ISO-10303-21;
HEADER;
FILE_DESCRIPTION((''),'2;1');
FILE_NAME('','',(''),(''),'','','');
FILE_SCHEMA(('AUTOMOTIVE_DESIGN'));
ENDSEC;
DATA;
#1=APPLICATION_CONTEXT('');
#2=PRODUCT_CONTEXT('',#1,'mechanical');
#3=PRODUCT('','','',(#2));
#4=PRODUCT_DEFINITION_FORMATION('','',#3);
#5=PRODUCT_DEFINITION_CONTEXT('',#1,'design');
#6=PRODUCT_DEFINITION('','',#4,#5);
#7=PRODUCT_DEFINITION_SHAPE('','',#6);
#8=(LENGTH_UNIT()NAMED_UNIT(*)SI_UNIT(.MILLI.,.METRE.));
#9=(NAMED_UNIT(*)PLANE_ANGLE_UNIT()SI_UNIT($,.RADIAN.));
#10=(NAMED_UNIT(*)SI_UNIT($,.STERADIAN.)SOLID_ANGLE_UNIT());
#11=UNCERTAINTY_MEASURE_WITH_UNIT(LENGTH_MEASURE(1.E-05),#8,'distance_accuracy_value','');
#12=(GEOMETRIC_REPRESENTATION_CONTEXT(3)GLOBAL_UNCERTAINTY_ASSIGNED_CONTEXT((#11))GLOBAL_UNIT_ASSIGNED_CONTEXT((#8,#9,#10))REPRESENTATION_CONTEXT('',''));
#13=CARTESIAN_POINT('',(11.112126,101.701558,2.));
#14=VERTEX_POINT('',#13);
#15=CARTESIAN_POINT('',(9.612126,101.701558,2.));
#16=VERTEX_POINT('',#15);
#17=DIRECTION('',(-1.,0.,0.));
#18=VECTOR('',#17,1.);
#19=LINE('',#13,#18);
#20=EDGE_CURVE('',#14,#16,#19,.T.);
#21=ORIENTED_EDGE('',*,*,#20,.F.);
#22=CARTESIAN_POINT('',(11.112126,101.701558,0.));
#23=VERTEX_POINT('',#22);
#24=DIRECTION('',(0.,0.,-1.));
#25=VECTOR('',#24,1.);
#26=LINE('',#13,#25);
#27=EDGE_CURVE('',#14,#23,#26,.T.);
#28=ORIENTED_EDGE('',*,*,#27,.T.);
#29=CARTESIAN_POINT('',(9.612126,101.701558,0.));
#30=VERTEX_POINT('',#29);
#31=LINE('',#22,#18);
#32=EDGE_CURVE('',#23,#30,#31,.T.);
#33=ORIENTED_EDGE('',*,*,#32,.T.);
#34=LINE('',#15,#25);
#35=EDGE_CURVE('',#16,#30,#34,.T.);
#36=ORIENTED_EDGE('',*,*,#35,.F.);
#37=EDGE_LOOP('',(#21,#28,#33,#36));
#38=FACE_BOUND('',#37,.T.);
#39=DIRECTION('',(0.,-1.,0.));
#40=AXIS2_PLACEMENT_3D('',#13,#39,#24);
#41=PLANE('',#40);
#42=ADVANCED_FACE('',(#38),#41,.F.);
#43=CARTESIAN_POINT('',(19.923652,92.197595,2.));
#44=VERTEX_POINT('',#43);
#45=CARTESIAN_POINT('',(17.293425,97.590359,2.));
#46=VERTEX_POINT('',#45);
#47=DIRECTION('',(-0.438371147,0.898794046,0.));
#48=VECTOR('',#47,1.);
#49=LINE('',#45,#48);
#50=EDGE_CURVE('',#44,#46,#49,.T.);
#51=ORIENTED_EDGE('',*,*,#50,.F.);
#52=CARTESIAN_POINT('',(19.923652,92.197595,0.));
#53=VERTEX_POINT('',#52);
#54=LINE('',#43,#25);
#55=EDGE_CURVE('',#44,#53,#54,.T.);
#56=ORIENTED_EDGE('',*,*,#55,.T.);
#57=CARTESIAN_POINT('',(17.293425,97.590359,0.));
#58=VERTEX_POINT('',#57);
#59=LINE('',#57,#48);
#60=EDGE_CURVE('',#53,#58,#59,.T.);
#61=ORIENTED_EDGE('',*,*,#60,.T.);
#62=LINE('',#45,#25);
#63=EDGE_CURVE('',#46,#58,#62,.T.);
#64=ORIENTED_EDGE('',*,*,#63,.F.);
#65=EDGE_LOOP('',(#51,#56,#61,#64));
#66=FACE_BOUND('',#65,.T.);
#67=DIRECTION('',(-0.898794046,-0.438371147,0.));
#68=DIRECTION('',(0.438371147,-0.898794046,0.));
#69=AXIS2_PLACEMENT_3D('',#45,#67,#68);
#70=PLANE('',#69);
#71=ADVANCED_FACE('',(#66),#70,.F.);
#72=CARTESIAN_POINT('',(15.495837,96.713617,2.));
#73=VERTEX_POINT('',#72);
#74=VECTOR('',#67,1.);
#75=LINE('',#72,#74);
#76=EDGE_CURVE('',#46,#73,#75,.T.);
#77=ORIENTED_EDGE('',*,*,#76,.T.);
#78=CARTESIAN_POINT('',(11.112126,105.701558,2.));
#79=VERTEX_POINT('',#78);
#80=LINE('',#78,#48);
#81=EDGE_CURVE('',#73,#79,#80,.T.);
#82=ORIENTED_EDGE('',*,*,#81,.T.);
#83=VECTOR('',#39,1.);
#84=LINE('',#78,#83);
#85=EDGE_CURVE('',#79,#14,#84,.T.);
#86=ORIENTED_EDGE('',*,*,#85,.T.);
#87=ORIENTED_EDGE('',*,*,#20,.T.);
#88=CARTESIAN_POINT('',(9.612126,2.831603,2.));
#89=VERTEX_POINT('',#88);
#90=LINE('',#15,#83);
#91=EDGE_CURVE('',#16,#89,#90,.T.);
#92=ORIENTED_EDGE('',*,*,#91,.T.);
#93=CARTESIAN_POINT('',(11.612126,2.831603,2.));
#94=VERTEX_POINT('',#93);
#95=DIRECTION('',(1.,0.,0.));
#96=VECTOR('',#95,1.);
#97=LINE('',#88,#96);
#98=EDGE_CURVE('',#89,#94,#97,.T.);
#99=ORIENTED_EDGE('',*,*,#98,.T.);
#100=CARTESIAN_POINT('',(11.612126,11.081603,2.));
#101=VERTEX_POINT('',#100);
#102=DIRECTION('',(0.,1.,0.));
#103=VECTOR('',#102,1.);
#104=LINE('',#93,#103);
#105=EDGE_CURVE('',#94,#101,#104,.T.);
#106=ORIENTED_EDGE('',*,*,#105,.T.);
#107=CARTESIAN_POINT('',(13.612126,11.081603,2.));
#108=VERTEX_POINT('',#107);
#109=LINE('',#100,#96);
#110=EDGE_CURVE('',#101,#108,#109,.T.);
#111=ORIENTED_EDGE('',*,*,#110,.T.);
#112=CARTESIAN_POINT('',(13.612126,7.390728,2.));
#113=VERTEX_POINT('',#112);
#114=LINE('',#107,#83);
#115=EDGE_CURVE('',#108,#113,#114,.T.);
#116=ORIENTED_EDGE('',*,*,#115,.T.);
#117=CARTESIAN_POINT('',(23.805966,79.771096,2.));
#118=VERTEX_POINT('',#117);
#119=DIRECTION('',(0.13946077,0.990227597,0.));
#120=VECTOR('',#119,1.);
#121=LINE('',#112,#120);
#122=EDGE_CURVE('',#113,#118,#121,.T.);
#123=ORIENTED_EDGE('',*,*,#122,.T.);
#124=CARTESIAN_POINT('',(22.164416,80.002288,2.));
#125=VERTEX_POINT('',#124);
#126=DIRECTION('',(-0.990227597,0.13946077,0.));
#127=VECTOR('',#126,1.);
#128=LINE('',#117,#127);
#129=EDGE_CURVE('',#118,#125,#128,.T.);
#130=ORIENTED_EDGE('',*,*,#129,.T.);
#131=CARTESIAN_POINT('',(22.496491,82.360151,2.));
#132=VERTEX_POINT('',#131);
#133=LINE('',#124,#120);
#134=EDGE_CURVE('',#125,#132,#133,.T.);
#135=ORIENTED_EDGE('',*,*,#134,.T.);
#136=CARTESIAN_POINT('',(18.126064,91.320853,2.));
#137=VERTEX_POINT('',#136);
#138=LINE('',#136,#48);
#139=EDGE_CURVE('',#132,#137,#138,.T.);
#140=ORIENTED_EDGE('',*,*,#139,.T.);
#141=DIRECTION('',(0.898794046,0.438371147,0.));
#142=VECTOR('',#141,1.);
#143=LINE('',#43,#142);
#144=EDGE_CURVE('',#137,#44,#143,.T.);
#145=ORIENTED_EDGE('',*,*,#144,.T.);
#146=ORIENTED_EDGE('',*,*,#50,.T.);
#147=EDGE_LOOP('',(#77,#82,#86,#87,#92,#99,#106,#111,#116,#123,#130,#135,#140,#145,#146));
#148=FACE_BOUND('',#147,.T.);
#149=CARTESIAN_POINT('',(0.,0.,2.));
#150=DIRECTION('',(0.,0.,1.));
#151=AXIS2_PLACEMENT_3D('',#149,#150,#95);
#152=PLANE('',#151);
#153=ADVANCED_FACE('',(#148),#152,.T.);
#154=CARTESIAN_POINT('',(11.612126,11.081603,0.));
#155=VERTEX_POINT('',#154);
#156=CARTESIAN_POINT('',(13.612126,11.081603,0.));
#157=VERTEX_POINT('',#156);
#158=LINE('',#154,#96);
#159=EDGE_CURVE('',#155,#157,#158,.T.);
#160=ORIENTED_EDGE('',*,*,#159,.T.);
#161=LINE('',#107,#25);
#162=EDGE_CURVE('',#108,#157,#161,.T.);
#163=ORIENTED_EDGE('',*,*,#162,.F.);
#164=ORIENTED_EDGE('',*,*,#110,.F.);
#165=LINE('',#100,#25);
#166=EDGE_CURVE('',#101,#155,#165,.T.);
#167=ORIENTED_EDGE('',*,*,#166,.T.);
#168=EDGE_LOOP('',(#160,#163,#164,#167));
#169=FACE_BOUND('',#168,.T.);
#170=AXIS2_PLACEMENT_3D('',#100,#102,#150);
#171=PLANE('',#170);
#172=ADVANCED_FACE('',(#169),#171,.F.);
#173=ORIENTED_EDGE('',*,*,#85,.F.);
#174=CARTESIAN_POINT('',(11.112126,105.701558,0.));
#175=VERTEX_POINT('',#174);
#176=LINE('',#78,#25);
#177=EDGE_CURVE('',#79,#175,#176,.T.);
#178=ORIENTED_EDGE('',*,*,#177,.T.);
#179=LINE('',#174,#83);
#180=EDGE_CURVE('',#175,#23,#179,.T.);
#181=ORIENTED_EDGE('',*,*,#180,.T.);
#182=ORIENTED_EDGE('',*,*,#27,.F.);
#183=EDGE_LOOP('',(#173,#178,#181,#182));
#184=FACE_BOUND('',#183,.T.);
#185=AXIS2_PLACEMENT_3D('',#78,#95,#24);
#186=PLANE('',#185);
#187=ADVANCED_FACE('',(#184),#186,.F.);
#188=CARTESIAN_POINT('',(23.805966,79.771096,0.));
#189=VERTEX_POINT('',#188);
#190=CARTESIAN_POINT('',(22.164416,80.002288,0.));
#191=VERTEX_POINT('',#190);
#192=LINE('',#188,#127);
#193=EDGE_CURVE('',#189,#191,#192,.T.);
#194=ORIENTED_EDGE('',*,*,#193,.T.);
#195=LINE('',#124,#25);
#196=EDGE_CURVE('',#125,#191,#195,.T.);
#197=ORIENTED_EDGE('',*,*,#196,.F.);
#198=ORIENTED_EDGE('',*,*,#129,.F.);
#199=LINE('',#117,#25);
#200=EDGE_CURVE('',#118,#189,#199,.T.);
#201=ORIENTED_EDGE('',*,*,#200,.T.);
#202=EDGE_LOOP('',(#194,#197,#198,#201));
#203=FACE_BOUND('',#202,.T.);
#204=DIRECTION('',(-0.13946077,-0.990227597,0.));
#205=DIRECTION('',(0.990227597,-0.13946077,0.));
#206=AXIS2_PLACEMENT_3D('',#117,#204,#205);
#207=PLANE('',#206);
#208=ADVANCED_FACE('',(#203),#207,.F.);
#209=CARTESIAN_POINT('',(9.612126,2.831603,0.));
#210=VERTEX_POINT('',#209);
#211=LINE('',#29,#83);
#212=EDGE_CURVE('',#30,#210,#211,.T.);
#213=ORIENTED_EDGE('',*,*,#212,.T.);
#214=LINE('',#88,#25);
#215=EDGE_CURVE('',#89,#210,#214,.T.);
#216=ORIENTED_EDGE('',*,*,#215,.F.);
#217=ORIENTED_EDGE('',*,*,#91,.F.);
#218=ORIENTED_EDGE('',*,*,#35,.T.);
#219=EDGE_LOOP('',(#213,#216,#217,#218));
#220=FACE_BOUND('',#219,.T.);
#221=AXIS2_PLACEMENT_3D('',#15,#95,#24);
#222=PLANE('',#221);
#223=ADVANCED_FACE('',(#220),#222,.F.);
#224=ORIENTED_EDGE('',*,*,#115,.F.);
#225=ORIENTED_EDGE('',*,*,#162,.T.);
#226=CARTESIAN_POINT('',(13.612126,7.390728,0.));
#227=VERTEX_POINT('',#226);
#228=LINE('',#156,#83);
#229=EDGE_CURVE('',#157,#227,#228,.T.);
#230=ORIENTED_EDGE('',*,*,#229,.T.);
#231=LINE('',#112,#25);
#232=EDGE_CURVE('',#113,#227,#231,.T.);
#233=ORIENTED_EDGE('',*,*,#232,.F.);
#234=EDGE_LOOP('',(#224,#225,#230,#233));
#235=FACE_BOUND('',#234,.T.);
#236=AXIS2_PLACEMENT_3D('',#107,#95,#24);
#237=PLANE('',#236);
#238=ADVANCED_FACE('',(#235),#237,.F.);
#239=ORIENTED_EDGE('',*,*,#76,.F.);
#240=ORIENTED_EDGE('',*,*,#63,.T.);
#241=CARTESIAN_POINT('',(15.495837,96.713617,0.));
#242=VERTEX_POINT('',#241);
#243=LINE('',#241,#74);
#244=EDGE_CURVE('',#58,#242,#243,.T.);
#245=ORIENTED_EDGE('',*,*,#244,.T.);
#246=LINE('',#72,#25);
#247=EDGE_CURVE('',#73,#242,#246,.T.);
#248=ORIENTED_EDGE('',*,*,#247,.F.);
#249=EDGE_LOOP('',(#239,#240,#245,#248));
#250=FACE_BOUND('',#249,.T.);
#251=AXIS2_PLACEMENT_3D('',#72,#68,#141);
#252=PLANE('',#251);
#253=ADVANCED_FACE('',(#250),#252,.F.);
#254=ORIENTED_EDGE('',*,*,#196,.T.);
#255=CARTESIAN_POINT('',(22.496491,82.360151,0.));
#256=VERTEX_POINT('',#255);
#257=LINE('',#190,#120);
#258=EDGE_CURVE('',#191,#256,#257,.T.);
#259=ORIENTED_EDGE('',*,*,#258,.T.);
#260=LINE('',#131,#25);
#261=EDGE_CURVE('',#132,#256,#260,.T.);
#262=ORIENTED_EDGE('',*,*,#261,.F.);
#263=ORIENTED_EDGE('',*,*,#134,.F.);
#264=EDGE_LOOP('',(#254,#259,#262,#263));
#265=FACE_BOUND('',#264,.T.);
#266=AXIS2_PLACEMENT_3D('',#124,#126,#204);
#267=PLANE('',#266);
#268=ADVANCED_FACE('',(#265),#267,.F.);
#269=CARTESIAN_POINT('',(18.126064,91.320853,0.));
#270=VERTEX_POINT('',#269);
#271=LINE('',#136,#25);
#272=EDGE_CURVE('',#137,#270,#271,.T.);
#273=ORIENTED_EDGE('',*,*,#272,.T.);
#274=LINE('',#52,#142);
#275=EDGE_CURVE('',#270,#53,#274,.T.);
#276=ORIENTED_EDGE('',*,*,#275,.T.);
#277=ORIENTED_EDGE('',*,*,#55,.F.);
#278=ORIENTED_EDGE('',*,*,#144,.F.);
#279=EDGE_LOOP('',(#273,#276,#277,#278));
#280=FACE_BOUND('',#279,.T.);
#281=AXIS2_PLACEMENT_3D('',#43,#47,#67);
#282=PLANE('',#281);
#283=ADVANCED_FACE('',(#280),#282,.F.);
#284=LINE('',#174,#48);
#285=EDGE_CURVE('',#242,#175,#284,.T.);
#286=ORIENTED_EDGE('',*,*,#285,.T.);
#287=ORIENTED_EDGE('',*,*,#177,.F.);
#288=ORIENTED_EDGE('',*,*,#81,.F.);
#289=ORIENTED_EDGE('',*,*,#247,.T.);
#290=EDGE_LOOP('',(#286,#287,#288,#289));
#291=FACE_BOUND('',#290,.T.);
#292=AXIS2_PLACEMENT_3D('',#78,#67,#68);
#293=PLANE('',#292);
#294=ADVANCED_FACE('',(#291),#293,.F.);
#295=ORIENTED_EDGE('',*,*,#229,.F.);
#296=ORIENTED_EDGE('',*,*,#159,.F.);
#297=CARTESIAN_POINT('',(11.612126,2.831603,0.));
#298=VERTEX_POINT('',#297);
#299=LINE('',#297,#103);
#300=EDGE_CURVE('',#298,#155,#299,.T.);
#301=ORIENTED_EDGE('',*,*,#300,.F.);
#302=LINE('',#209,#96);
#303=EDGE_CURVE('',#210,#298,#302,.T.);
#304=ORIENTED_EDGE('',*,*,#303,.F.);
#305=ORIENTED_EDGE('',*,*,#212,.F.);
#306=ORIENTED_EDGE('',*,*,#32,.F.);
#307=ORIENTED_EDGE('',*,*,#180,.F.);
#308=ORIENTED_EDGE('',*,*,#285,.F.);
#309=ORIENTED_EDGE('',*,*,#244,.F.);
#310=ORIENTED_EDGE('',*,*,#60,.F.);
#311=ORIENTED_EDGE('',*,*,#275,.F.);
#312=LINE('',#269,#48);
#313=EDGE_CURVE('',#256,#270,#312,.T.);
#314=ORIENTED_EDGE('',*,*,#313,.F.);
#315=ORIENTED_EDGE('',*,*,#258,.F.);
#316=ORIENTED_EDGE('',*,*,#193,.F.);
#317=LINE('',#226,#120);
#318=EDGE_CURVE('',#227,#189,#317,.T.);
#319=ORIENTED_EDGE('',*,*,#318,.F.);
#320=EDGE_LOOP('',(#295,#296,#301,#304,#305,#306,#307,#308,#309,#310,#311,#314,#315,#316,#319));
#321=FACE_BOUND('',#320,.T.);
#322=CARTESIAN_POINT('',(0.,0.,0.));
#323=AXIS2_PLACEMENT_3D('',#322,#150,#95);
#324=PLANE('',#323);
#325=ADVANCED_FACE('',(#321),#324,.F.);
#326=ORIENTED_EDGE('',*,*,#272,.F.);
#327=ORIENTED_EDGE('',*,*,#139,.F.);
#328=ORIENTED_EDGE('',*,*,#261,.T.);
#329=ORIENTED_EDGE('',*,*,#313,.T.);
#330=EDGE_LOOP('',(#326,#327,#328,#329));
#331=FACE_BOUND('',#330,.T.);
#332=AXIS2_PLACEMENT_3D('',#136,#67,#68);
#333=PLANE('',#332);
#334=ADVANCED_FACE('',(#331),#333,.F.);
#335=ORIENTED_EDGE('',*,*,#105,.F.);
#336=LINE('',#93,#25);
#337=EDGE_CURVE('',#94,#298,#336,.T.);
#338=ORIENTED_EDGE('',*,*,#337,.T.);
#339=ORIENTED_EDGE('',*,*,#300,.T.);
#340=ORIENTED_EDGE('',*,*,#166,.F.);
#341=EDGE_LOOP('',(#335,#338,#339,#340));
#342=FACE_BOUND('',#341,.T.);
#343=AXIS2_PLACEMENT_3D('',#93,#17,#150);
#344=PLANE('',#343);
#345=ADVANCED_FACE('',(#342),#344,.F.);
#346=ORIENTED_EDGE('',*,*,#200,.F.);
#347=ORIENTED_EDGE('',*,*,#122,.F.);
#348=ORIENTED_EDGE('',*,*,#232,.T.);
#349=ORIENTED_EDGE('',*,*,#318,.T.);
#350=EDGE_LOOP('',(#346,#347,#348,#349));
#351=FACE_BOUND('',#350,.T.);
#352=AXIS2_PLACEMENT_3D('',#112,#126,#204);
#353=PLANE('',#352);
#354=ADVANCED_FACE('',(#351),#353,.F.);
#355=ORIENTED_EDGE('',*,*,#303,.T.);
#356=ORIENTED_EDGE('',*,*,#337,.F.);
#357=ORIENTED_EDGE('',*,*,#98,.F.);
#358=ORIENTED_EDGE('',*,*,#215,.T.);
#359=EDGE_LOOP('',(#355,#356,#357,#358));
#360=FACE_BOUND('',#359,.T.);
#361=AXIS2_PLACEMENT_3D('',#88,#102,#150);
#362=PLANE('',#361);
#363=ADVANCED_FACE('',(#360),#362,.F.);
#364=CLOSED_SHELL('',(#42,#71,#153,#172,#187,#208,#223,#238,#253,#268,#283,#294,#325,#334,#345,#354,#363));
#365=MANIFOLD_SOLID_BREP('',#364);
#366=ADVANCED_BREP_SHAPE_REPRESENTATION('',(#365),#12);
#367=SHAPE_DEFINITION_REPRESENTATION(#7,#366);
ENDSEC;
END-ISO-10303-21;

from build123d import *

# Parameters (mm, degrees)
EXTRUDE_1_DEPTH = 2


with BuildPart() as part:
    # 草图1 → 凸台-拉伸1 (new body)
    with BuildSketch(Plane.XY):
        Polygon((11.11212578, 105.701557558), (11.11212578, 101.701557558), (9.61212578, 101.701557558), (9.61212578, 2.831603437), (11.61212578, 2.831603437), (11.61212578, 11.081603437), (13.61212578, 11.081603437), (13.61212578, 7.390728471), (23.805965972, 79.771096389), (22.164415993, 80.002287507), (22.496490576, 82.360150685), (18.126064129, 91.320852817), (19.923652222, 92.197595111), (17.293425341, 97.590359388), (15.495837248, 96.713617095), align=None)
    extrude(amount=EXTRUDE_1_DEPTH)


solid = part.part
